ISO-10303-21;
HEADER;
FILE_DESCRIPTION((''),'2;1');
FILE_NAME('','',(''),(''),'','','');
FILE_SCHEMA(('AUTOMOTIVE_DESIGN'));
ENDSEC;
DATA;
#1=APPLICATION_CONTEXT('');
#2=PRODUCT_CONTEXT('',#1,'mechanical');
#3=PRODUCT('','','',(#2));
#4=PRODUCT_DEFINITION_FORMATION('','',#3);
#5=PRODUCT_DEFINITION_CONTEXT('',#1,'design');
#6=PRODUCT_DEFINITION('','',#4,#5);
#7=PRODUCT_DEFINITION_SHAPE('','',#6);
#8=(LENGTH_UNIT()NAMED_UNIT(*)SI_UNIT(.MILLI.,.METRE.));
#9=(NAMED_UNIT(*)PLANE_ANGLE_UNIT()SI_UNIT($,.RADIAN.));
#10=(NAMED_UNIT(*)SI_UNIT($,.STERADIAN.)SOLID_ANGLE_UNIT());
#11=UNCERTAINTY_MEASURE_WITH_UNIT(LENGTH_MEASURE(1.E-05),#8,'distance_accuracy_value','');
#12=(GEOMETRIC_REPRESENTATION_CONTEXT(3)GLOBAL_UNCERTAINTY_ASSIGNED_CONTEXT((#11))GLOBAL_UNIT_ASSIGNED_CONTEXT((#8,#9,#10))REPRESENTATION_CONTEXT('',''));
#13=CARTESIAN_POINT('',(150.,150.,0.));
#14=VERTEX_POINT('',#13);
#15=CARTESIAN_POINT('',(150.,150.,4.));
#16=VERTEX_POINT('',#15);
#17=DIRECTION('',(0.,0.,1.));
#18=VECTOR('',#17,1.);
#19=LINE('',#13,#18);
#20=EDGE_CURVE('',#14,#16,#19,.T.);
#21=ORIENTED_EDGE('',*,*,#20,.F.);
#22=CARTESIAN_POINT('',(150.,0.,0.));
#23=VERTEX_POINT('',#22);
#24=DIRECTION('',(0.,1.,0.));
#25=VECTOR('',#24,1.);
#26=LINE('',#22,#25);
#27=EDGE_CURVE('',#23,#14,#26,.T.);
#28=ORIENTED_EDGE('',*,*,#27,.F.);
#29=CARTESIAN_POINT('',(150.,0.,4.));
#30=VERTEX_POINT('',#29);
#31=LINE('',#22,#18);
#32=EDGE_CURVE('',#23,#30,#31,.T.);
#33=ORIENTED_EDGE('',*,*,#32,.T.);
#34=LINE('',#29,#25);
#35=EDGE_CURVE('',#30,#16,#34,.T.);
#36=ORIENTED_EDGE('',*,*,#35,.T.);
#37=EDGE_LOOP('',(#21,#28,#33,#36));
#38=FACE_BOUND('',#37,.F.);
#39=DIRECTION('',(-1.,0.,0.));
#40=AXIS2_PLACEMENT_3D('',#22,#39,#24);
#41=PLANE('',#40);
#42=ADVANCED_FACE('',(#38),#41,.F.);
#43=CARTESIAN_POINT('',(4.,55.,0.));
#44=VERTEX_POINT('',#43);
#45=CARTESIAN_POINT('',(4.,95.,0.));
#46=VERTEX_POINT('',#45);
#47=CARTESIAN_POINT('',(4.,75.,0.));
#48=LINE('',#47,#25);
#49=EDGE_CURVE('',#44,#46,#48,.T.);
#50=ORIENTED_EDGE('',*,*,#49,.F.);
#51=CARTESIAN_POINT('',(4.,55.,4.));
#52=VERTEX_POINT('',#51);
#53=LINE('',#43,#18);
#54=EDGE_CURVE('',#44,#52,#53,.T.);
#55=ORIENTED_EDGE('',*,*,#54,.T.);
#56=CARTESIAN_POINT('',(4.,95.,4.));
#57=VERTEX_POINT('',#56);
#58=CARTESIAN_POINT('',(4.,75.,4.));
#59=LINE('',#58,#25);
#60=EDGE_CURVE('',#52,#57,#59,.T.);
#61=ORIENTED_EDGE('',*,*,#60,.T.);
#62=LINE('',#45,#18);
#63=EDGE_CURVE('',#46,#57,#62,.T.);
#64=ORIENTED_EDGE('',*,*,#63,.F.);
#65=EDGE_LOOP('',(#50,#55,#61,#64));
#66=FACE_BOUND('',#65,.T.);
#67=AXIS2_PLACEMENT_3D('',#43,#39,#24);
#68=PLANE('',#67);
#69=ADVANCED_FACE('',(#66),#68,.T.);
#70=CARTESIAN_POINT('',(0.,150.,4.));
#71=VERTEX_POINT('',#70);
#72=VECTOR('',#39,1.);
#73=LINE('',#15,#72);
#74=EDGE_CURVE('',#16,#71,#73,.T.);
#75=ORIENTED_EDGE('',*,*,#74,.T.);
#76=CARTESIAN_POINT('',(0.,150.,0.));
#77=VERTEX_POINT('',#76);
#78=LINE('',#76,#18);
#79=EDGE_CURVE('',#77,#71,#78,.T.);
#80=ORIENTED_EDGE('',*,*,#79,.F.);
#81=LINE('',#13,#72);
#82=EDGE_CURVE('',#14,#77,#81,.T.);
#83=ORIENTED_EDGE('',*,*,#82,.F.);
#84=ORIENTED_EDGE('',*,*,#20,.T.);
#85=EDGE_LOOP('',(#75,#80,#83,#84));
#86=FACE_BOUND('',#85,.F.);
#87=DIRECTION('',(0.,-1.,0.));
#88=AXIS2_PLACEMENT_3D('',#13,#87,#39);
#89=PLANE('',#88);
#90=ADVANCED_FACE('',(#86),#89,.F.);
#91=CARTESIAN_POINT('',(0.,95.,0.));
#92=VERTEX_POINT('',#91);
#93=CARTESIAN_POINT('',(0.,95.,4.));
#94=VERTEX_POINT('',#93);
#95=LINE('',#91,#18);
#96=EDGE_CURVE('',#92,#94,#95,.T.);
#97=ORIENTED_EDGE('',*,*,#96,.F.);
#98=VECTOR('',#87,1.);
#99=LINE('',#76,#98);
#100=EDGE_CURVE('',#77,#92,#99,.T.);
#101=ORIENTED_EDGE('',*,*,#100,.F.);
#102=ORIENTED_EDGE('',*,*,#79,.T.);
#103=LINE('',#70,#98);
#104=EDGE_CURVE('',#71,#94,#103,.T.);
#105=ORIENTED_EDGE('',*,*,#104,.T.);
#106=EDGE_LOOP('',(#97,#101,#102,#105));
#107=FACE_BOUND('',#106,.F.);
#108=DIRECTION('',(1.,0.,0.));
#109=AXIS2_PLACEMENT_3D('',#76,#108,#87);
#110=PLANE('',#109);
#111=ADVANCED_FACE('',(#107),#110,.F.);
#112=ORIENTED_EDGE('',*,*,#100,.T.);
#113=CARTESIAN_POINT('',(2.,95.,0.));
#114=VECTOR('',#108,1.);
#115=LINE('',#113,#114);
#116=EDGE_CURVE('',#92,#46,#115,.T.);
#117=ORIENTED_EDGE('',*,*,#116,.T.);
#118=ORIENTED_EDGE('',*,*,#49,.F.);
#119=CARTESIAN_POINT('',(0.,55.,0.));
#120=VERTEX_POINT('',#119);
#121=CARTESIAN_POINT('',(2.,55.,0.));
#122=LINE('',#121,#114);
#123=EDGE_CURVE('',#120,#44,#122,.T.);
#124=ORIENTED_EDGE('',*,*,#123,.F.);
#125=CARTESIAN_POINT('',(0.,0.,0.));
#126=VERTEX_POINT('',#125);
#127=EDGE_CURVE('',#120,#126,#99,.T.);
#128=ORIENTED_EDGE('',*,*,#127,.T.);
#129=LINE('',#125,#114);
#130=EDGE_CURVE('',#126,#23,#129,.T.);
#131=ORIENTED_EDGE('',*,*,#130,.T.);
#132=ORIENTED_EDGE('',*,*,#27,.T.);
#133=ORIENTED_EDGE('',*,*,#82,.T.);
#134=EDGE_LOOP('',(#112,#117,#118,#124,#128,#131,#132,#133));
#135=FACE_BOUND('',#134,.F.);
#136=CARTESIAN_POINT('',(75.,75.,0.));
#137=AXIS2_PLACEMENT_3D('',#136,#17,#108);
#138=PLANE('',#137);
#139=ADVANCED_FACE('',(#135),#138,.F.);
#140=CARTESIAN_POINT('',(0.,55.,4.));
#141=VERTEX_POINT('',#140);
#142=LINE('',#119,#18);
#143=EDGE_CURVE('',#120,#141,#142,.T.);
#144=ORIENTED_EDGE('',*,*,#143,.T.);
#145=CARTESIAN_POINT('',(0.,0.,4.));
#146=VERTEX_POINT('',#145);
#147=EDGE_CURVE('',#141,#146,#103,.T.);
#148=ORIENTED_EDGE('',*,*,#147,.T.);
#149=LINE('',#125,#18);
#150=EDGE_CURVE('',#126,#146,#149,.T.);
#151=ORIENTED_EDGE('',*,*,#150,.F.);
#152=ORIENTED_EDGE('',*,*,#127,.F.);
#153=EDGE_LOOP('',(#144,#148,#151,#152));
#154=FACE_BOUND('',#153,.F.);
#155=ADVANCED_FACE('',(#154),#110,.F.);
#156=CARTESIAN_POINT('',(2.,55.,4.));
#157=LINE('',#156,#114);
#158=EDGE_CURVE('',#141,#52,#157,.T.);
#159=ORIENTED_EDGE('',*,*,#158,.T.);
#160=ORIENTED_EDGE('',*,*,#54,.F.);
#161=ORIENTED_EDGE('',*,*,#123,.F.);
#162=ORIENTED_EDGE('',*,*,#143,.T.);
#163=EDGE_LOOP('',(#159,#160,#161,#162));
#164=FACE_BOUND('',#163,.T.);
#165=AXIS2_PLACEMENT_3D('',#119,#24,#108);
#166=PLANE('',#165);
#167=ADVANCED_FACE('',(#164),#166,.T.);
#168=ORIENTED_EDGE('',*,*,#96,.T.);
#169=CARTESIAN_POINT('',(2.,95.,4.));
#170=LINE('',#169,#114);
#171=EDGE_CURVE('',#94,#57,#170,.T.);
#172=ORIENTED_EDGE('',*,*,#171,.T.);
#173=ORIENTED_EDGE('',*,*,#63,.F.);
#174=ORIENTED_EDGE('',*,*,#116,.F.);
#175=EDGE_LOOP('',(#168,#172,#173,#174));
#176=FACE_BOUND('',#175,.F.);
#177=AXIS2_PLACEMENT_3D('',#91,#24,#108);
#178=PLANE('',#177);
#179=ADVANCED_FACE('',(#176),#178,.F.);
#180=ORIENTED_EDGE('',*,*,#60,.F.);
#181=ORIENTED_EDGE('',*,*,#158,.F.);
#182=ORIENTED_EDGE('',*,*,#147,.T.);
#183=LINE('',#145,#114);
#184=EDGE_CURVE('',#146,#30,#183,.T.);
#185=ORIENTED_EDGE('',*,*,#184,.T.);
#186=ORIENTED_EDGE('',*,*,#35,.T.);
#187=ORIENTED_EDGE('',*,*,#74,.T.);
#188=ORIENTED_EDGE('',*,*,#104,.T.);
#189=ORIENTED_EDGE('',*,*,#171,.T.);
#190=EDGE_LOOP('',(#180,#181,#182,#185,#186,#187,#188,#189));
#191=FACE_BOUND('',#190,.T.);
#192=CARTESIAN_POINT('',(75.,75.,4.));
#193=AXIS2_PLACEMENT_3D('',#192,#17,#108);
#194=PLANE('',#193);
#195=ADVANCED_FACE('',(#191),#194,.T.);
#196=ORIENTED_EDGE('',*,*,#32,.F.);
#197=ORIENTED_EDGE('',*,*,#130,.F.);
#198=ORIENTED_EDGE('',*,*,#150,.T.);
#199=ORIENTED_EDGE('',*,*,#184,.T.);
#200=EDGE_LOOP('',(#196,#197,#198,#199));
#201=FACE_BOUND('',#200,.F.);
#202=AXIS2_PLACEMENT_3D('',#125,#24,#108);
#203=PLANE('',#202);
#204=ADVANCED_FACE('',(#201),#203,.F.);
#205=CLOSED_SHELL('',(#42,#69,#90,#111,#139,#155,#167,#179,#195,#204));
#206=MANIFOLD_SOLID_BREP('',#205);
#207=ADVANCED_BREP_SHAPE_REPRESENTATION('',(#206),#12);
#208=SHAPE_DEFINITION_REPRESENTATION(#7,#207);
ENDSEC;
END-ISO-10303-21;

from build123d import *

# Parameters (mm, degrees)
F2_DEPTH = 4
F1_W     = 4
F1_H     = 40
F3_DEPTH = 4


with BuildPart() as f2:
    # F0 (on Top) → F2 (new body)
    with BuildSketch(Plane.XY):
        Polygon((0, 150), (0, 0), (65, 0), (66, 0), (67, 0), (68, 0), (69, 0), (70, 0), (71, 0), (72, 0), (73, 0), (74, 0), (75, 0), (76, 0), (77, 0), (78, 0), (79, 0), (80, 0), (81, 0), (82, 0), (83, 0), (84, 0), (150, 0), (150, 150), (84, 150), (83, 150), (82, 150), (81, 150), (80, 150), (79, 150), (78, 150), (77, 150), (76, 150), (75, 150), (74, 150), (73, 150), (72, 150), (71, 150), (70, 150), (69, 150), (68, 150), (67, 150), (66, 150), (65, 150), align=None)
    extrude(amount=F2_DEPTH)

    # F1 (on Top) → F3 (cut, through all)
    with BuildSketch(Plane.XY):
        with Locations((2, 75)):
            Rectangle(F1_W, F1_H)
    extrude(amount=F3_DEPTH, mode=Mode.SUBTRACT)


solid = f2.part
